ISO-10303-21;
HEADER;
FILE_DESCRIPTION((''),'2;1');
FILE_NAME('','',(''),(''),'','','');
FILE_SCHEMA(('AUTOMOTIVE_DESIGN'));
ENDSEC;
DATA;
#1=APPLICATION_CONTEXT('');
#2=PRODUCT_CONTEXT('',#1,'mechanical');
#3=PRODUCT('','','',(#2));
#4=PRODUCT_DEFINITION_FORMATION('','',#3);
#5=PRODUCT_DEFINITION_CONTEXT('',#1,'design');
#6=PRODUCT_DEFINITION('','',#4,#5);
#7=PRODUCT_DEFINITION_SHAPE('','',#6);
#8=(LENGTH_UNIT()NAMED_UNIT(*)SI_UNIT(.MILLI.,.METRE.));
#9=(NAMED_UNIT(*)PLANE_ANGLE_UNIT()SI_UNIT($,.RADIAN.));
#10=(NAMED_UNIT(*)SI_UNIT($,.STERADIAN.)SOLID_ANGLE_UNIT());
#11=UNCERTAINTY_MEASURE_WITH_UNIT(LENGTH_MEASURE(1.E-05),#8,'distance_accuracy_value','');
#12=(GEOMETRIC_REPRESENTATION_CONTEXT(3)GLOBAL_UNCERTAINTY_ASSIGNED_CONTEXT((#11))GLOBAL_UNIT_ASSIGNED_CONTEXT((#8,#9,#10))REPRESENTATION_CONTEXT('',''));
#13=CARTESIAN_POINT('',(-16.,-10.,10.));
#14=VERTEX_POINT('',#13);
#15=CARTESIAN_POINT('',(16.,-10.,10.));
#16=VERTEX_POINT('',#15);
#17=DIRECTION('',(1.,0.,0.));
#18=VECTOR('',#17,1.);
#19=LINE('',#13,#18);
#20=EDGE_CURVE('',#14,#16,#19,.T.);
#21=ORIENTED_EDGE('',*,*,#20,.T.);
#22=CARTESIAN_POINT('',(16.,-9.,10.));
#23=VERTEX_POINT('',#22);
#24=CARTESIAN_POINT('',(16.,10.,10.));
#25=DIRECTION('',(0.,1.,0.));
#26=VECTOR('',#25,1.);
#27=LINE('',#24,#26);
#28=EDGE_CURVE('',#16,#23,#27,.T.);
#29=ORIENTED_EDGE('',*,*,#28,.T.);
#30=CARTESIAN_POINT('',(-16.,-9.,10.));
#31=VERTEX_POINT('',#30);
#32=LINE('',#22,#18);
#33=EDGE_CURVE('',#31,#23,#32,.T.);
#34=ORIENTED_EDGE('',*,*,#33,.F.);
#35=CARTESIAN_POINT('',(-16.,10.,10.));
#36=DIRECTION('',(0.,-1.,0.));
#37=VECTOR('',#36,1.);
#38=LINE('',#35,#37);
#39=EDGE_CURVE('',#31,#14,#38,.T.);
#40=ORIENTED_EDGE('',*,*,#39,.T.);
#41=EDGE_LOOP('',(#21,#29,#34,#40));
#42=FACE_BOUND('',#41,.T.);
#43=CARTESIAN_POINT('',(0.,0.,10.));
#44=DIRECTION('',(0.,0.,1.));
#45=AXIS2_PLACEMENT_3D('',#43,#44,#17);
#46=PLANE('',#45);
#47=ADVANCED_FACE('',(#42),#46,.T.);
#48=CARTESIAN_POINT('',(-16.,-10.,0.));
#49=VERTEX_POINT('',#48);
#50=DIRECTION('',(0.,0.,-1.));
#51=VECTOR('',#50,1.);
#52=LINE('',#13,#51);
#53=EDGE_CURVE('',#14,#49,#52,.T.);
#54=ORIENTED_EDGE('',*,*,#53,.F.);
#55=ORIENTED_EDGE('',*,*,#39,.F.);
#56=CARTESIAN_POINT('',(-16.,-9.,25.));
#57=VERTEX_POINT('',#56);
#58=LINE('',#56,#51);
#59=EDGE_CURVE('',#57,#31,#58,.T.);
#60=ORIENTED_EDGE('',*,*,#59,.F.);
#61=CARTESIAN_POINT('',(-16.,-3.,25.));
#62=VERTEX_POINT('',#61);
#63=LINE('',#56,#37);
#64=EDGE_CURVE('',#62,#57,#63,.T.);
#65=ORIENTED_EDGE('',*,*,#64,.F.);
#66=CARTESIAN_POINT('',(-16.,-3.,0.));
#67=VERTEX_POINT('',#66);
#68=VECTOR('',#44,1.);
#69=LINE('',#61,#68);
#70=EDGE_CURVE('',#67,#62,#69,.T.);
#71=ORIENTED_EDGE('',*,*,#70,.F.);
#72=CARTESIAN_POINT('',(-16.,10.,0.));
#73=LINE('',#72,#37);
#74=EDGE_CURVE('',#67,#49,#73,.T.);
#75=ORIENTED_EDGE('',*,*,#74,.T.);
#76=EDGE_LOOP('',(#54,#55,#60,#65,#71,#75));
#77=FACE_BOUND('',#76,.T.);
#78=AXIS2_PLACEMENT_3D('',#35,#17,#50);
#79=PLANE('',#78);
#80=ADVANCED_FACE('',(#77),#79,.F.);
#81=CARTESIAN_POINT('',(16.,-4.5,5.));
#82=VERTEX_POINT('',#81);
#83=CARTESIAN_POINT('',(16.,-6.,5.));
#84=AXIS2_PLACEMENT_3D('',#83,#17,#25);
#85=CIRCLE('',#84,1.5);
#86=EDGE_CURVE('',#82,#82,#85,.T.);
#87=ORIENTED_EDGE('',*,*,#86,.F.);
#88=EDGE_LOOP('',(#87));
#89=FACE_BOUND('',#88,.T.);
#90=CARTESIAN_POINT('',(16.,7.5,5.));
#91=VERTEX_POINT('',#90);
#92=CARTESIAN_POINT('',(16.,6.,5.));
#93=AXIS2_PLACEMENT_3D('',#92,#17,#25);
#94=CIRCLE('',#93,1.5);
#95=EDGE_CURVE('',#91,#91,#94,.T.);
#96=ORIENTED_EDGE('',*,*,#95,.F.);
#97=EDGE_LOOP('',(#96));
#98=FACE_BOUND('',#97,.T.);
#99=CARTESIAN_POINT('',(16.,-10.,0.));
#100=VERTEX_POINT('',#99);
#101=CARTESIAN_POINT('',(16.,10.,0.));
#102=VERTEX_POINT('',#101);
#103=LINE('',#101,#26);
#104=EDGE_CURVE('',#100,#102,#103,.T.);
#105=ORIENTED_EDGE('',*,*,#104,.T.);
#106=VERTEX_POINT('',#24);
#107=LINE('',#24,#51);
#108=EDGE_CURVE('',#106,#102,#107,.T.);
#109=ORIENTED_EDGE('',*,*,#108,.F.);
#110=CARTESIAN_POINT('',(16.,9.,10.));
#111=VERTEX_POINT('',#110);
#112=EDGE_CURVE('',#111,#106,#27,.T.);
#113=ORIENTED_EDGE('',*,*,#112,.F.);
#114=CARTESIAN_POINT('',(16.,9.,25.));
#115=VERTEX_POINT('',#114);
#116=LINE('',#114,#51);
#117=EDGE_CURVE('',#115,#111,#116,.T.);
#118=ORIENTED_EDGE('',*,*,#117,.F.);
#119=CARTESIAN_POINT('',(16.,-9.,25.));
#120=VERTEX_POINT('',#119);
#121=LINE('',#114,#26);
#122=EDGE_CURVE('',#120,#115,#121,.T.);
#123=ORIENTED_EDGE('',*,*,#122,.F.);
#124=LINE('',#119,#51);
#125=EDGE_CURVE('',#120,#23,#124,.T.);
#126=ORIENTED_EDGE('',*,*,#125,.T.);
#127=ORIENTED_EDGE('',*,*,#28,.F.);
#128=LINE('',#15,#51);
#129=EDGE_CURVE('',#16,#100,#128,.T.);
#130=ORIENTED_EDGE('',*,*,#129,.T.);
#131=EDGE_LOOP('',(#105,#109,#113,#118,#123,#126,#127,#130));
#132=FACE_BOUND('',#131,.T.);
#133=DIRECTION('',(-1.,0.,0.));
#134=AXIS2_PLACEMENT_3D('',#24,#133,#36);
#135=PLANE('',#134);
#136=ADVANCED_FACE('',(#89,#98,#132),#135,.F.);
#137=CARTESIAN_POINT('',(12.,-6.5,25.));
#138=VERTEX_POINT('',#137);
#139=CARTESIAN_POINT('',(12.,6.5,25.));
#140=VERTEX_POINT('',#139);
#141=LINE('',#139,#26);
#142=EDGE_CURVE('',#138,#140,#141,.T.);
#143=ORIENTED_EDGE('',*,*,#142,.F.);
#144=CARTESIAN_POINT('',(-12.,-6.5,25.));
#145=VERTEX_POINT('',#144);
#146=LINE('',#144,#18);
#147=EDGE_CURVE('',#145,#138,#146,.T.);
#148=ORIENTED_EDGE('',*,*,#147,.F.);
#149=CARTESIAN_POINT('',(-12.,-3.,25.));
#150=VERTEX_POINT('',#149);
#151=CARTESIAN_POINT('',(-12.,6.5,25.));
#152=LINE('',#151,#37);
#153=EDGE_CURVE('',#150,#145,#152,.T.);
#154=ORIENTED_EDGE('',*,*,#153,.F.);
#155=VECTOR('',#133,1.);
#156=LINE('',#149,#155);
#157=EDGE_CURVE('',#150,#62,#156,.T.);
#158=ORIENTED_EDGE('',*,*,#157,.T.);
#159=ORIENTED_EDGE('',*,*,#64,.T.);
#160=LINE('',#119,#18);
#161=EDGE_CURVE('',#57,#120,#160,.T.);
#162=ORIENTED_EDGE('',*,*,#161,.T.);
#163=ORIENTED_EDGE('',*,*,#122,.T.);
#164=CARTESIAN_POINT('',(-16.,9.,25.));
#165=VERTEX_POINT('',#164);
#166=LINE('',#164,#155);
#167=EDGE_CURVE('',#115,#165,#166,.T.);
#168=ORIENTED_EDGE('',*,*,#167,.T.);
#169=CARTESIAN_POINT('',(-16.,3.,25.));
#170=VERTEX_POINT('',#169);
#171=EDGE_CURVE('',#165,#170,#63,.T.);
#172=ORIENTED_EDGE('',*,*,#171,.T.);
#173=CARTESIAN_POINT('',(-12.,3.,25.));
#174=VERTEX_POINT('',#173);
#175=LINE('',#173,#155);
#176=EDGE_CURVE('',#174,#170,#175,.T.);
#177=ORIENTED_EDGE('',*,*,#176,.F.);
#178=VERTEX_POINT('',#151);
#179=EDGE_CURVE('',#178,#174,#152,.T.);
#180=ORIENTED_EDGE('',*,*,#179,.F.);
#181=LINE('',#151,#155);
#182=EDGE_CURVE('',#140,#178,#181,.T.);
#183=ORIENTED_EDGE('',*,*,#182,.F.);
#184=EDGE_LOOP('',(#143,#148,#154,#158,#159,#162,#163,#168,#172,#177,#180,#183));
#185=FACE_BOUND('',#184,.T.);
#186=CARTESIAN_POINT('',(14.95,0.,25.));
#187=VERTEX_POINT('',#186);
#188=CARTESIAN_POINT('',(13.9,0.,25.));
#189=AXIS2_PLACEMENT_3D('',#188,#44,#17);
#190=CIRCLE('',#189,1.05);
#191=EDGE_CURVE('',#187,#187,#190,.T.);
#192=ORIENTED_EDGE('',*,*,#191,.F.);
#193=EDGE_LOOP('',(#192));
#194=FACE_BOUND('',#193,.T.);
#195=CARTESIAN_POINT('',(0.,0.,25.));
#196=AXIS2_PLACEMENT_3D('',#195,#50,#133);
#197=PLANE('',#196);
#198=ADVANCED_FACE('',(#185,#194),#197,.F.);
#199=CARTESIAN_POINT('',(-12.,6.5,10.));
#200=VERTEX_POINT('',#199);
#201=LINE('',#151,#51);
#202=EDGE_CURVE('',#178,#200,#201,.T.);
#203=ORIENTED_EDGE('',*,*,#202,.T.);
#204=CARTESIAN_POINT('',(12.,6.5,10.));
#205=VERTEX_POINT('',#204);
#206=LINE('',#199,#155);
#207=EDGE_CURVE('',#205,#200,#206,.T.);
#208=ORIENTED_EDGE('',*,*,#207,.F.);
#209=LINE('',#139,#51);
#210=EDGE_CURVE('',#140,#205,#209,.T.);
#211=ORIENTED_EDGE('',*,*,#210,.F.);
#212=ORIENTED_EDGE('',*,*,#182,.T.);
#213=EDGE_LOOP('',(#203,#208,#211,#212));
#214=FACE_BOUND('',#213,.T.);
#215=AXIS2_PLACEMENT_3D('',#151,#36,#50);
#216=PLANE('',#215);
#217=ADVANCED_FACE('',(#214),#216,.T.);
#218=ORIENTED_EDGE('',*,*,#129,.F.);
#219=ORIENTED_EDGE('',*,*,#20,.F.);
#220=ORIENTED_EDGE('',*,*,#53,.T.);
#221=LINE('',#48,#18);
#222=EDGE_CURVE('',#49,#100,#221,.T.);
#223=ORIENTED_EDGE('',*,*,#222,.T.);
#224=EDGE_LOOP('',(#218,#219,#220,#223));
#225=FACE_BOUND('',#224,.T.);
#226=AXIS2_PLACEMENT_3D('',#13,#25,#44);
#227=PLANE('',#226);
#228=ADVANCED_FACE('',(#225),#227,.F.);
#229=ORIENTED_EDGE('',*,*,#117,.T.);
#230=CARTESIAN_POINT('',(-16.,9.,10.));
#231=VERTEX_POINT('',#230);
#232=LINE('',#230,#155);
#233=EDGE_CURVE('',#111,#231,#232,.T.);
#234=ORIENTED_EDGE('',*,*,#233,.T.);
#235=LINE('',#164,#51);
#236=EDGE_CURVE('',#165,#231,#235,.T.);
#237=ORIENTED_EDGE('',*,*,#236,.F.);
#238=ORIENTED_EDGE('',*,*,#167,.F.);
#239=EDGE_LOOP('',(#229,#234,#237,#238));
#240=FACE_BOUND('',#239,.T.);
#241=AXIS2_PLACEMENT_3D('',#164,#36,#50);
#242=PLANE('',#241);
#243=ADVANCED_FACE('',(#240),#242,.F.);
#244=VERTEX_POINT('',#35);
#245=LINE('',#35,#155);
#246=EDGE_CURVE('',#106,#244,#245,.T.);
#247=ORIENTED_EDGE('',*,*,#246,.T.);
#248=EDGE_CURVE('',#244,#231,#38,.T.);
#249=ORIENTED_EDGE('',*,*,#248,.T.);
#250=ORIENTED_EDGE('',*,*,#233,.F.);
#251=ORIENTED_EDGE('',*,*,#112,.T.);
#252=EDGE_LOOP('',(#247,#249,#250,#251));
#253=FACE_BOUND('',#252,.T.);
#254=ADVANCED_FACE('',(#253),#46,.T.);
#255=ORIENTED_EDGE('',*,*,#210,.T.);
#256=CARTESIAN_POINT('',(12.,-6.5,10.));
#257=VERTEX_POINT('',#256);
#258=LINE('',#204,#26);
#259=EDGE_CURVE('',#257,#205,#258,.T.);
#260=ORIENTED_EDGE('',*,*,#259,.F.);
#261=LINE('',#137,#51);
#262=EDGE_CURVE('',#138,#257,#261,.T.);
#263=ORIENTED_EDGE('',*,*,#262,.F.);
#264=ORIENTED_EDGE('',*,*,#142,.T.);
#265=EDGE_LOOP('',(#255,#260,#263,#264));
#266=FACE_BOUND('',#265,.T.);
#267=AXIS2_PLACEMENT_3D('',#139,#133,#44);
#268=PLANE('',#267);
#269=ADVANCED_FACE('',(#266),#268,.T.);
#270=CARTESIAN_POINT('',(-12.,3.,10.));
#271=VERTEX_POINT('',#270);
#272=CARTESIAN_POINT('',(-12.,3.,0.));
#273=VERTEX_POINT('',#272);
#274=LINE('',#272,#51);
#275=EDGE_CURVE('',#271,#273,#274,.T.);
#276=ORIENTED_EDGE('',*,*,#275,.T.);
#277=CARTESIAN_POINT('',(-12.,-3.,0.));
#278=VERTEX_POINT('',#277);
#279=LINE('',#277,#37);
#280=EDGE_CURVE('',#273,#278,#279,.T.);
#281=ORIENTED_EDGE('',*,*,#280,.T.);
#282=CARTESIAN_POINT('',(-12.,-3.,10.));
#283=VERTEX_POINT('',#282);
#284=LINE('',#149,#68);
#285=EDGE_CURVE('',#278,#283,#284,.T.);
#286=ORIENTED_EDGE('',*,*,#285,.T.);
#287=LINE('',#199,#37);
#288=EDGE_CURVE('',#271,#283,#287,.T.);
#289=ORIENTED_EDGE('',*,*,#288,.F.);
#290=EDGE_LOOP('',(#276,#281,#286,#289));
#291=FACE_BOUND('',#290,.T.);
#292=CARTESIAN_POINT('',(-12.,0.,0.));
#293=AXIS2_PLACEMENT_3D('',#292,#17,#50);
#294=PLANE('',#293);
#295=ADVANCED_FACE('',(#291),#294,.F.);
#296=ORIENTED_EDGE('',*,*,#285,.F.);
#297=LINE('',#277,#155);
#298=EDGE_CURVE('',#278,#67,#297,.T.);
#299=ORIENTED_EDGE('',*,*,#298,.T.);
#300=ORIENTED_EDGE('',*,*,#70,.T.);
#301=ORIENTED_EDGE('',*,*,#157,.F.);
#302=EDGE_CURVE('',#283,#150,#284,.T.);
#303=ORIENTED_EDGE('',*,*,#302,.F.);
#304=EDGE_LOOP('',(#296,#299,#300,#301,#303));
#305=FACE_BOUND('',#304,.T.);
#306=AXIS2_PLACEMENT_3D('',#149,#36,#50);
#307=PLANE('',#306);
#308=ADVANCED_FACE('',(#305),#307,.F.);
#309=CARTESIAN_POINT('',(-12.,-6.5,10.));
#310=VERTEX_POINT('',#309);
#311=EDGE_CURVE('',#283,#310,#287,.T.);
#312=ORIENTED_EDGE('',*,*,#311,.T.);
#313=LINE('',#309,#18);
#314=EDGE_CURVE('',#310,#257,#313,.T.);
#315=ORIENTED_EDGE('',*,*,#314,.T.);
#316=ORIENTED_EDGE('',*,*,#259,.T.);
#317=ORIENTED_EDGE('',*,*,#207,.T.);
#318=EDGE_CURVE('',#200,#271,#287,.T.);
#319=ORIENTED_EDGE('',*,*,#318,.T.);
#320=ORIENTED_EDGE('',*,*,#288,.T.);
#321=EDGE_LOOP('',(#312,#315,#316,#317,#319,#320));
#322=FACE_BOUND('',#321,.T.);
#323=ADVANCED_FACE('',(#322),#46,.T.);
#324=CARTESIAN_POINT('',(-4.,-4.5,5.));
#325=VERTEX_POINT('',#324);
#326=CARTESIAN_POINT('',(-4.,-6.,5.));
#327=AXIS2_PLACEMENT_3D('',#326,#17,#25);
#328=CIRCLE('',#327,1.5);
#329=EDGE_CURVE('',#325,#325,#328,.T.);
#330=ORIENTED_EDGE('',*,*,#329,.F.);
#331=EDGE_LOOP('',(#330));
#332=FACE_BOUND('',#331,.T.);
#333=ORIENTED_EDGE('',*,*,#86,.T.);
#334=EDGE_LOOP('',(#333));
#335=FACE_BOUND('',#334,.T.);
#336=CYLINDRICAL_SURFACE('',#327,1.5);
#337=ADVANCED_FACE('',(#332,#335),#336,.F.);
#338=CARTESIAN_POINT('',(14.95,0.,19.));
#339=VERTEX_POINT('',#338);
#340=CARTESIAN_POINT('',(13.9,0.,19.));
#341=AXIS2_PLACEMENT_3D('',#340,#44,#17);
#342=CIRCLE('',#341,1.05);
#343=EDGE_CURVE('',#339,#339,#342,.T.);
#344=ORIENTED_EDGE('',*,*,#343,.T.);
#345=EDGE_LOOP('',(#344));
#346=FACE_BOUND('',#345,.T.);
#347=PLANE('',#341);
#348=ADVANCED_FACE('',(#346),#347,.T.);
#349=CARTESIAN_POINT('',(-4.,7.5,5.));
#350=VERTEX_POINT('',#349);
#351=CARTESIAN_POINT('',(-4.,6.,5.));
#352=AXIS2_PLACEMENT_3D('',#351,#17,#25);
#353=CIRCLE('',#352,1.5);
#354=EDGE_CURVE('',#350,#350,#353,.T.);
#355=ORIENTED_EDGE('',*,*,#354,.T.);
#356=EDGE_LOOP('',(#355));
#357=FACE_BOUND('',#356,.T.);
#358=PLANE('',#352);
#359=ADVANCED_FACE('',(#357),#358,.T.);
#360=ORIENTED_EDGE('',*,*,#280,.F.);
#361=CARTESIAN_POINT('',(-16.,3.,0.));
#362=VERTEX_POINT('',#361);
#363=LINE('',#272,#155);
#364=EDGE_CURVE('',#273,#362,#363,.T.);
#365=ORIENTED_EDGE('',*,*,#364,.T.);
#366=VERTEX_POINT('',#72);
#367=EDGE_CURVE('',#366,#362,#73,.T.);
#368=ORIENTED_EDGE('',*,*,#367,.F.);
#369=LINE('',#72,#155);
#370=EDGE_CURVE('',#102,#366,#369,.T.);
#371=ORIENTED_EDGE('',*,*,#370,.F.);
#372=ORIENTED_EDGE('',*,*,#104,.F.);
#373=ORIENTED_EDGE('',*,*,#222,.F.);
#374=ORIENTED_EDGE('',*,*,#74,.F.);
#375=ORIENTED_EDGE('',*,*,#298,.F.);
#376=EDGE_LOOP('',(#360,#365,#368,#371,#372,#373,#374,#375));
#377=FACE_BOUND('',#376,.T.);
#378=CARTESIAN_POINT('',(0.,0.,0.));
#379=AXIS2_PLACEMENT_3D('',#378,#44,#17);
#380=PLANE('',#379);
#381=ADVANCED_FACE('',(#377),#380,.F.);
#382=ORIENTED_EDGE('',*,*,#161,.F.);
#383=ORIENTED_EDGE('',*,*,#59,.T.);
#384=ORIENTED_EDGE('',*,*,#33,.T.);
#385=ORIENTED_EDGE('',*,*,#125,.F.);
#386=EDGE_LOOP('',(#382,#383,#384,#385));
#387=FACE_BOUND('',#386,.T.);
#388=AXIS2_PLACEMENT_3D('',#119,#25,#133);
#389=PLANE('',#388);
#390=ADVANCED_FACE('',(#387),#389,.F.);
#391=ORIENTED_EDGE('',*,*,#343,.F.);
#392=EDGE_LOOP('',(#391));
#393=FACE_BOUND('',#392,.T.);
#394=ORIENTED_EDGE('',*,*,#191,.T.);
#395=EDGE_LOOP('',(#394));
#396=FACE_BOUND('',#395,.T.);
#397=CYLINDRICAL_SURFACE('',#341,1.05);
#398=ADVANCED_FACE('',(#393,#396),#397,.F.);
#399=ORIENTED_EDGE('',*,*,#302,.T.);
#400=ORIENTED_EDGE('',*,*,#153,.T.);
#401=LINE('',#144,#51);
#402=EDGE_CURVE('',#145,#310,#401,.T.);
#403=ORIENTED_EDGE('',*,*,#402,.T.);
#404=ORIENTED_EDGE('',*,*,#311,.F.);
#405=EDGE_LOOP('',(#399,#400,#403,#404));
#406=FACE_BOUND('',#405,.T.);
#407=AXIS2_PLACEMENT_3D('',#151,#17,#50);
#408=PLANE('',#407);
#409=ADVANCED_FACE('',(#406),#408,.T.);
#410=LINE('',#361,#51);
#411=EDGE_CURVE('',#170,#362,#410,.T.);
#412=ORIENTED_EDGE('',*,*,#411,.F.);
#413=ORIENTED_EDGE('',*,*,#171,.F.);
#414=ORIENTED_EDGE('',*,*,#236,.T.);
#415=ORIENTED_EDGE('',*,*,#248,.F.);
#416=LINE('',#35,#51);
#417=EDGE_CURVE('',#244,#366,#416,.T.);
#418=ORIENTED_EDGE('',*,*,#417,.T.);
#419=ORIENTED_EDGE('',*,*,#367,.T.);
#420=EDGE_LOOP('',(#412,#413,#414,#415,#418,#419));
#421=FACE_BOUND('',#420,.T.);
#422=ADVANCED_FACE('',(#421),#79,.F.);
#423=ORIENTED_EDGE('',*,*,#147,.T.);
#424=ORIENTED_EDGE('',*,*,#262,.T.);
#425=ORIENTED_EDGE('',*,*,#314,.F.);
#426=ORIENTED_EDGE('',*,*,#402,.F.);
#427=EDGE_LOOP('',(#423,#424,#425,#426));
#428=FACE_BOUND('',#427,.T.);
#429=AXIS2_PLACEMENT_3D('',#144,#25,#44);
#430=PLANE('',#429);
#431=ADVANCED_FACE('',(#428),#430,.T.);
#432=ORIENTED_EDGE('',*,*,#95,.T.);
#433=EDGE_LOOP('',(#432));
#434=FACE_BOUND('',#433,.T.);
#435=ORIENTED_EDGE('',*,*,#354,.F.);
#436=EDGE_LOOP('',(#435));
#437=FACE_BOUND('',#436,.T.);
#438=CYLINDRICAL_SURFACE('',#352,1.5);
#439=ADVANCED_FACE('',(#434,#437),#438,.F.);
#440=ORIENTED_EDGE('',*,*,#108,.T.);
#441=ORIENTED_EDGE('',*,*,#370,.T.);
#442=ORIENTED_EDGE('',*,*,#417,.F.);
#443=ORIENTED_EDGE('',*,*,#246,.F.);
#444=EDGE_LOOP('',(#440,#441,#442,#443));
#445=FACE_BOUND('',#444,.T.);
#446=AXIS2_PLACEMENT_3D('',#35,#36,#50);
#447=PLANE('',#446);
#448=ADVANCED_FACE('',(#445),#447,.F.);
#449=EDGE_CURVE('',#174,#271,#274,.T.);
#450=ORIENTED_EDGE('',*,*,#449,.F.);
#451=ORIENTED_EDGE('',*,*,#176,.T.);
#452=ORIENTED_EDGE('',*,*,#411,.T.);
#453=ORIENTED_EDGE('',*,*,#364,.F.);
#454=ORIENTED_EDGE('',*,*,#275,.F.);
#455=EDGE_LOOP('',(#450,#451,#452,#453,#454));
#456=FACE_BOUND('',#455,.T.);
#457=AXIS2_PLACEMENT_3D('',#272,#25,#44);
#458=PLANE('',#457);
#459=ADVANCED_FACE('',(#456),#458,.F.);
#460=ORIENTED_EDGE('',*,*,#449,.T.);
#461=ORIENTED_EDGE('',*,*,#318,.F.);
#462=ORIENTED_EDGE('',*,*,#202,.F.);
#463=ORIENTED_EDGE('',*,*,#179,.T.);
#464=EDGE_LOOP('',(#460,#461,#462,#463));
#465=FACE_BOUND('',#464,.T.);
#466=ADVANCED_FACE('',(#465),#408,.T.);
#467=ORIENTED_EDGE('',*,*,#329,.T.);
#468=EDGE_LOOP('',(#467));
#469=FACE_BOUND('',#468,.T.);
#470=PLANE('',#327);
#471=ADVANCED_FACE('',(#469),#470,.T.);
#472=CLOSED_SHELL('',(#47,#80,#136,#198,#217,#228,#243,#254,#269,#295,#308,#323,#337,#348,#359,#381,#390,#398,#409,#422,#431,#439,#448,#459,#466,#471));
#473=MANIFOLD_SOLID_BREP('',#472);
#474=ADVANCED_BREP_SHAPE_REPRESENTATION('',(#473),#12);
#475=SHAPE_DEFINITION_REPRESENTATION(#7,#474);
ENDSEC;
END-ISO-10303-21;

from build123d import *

# Parameters (mm, degrees)
ESQUISSE15_W             = 32
ESQUISSE15_H             = 20
BOSS_EXTRU_1_DEPTH       = 10
ESQUISSE16_W             = 32
ESQUISSE16_H             = 18
ESQUISSE16_W_2           = 24
ESQUISSE16_H_2           = 13
BOSS_EXTRU_2_DEPTH       = 15
ESQUISSE17_W             = 25
ESQUISSE17_H             = 6
ENL_V_MAT_EXTRU_8_DEPTH  = 4
ESQUISSE19_R             = 1.05
ENL_V_MAT_EXTRU_10_DEPTH = 6
ESQUISSE20_R             = 1.5
ENL_V_MAT_EXTRU_11_DEPTH = 20


with BuildPart() as part:
    # Esquisse15 → Boss.-Extru.1 (new body)
    with BuildSketch(Plane.XY):
        Rectangle(ESQUISSE15_W, ESQUISSE15_H)
    extrude(amount=BOSS_EXTRU_1_DEPTH)

    # Esquisse16 → Boss.-Extru.2 (add)
    with BuildSketch(Plane.XY.offset(10)):
        Rectangle(ESQUISSE16_W, ESQUISSE16_H)
        Rectangle(ESQUISSE16_W_2, ESQUISSE16_H_2, mode=Mode.SUBTRACT)
    extrude(amount=BOSS_EXTRU_2_DEPTH)

    # Esquisse17 → Enlèv. mat.-Extru.8 (cut)
    with BuildSketch(Plane.ZY.offset(16)):
        with Locations((12.5, 0)):
            Rectangle(ESQUISSE17_W, ESQUISSE17_H)
    extrude(amount=-ENL_V_MAT_EXTRU_8_DEPTH, mode=Mode.SUBTRACT)

    # Esquisse19 → Enlèv. mat.-Extru.10 (cut)
    with BuildSketch(Plane.XY.offset(25)):
        with Locations((13.9, 0)):
            Circle(ESQUISSE19_R)
    extrude(amount=-ENL_V_MAT_EXTRU_10_DEPTH, mode=Mode.SUBTRACT)

    # Esquisse20 → Enlèv. mat.-Extru.11 (cut)
    with BuildSketch(Plane(origin=(16, 0, 0), x_dir=(0, 0, -1), z_dir=(1, 0, 0))):
        with Locations((-5, 6)):
            Circle(ESQUISSE20_R)
        with Locations((-5, -6)):
            Circle(ESQUISSE20_R)
    extrude(amount=-ENL_V_MAT_EXTRU_11_DEPTH, mode=Mode.SUBTRACT)


solid = part.part
